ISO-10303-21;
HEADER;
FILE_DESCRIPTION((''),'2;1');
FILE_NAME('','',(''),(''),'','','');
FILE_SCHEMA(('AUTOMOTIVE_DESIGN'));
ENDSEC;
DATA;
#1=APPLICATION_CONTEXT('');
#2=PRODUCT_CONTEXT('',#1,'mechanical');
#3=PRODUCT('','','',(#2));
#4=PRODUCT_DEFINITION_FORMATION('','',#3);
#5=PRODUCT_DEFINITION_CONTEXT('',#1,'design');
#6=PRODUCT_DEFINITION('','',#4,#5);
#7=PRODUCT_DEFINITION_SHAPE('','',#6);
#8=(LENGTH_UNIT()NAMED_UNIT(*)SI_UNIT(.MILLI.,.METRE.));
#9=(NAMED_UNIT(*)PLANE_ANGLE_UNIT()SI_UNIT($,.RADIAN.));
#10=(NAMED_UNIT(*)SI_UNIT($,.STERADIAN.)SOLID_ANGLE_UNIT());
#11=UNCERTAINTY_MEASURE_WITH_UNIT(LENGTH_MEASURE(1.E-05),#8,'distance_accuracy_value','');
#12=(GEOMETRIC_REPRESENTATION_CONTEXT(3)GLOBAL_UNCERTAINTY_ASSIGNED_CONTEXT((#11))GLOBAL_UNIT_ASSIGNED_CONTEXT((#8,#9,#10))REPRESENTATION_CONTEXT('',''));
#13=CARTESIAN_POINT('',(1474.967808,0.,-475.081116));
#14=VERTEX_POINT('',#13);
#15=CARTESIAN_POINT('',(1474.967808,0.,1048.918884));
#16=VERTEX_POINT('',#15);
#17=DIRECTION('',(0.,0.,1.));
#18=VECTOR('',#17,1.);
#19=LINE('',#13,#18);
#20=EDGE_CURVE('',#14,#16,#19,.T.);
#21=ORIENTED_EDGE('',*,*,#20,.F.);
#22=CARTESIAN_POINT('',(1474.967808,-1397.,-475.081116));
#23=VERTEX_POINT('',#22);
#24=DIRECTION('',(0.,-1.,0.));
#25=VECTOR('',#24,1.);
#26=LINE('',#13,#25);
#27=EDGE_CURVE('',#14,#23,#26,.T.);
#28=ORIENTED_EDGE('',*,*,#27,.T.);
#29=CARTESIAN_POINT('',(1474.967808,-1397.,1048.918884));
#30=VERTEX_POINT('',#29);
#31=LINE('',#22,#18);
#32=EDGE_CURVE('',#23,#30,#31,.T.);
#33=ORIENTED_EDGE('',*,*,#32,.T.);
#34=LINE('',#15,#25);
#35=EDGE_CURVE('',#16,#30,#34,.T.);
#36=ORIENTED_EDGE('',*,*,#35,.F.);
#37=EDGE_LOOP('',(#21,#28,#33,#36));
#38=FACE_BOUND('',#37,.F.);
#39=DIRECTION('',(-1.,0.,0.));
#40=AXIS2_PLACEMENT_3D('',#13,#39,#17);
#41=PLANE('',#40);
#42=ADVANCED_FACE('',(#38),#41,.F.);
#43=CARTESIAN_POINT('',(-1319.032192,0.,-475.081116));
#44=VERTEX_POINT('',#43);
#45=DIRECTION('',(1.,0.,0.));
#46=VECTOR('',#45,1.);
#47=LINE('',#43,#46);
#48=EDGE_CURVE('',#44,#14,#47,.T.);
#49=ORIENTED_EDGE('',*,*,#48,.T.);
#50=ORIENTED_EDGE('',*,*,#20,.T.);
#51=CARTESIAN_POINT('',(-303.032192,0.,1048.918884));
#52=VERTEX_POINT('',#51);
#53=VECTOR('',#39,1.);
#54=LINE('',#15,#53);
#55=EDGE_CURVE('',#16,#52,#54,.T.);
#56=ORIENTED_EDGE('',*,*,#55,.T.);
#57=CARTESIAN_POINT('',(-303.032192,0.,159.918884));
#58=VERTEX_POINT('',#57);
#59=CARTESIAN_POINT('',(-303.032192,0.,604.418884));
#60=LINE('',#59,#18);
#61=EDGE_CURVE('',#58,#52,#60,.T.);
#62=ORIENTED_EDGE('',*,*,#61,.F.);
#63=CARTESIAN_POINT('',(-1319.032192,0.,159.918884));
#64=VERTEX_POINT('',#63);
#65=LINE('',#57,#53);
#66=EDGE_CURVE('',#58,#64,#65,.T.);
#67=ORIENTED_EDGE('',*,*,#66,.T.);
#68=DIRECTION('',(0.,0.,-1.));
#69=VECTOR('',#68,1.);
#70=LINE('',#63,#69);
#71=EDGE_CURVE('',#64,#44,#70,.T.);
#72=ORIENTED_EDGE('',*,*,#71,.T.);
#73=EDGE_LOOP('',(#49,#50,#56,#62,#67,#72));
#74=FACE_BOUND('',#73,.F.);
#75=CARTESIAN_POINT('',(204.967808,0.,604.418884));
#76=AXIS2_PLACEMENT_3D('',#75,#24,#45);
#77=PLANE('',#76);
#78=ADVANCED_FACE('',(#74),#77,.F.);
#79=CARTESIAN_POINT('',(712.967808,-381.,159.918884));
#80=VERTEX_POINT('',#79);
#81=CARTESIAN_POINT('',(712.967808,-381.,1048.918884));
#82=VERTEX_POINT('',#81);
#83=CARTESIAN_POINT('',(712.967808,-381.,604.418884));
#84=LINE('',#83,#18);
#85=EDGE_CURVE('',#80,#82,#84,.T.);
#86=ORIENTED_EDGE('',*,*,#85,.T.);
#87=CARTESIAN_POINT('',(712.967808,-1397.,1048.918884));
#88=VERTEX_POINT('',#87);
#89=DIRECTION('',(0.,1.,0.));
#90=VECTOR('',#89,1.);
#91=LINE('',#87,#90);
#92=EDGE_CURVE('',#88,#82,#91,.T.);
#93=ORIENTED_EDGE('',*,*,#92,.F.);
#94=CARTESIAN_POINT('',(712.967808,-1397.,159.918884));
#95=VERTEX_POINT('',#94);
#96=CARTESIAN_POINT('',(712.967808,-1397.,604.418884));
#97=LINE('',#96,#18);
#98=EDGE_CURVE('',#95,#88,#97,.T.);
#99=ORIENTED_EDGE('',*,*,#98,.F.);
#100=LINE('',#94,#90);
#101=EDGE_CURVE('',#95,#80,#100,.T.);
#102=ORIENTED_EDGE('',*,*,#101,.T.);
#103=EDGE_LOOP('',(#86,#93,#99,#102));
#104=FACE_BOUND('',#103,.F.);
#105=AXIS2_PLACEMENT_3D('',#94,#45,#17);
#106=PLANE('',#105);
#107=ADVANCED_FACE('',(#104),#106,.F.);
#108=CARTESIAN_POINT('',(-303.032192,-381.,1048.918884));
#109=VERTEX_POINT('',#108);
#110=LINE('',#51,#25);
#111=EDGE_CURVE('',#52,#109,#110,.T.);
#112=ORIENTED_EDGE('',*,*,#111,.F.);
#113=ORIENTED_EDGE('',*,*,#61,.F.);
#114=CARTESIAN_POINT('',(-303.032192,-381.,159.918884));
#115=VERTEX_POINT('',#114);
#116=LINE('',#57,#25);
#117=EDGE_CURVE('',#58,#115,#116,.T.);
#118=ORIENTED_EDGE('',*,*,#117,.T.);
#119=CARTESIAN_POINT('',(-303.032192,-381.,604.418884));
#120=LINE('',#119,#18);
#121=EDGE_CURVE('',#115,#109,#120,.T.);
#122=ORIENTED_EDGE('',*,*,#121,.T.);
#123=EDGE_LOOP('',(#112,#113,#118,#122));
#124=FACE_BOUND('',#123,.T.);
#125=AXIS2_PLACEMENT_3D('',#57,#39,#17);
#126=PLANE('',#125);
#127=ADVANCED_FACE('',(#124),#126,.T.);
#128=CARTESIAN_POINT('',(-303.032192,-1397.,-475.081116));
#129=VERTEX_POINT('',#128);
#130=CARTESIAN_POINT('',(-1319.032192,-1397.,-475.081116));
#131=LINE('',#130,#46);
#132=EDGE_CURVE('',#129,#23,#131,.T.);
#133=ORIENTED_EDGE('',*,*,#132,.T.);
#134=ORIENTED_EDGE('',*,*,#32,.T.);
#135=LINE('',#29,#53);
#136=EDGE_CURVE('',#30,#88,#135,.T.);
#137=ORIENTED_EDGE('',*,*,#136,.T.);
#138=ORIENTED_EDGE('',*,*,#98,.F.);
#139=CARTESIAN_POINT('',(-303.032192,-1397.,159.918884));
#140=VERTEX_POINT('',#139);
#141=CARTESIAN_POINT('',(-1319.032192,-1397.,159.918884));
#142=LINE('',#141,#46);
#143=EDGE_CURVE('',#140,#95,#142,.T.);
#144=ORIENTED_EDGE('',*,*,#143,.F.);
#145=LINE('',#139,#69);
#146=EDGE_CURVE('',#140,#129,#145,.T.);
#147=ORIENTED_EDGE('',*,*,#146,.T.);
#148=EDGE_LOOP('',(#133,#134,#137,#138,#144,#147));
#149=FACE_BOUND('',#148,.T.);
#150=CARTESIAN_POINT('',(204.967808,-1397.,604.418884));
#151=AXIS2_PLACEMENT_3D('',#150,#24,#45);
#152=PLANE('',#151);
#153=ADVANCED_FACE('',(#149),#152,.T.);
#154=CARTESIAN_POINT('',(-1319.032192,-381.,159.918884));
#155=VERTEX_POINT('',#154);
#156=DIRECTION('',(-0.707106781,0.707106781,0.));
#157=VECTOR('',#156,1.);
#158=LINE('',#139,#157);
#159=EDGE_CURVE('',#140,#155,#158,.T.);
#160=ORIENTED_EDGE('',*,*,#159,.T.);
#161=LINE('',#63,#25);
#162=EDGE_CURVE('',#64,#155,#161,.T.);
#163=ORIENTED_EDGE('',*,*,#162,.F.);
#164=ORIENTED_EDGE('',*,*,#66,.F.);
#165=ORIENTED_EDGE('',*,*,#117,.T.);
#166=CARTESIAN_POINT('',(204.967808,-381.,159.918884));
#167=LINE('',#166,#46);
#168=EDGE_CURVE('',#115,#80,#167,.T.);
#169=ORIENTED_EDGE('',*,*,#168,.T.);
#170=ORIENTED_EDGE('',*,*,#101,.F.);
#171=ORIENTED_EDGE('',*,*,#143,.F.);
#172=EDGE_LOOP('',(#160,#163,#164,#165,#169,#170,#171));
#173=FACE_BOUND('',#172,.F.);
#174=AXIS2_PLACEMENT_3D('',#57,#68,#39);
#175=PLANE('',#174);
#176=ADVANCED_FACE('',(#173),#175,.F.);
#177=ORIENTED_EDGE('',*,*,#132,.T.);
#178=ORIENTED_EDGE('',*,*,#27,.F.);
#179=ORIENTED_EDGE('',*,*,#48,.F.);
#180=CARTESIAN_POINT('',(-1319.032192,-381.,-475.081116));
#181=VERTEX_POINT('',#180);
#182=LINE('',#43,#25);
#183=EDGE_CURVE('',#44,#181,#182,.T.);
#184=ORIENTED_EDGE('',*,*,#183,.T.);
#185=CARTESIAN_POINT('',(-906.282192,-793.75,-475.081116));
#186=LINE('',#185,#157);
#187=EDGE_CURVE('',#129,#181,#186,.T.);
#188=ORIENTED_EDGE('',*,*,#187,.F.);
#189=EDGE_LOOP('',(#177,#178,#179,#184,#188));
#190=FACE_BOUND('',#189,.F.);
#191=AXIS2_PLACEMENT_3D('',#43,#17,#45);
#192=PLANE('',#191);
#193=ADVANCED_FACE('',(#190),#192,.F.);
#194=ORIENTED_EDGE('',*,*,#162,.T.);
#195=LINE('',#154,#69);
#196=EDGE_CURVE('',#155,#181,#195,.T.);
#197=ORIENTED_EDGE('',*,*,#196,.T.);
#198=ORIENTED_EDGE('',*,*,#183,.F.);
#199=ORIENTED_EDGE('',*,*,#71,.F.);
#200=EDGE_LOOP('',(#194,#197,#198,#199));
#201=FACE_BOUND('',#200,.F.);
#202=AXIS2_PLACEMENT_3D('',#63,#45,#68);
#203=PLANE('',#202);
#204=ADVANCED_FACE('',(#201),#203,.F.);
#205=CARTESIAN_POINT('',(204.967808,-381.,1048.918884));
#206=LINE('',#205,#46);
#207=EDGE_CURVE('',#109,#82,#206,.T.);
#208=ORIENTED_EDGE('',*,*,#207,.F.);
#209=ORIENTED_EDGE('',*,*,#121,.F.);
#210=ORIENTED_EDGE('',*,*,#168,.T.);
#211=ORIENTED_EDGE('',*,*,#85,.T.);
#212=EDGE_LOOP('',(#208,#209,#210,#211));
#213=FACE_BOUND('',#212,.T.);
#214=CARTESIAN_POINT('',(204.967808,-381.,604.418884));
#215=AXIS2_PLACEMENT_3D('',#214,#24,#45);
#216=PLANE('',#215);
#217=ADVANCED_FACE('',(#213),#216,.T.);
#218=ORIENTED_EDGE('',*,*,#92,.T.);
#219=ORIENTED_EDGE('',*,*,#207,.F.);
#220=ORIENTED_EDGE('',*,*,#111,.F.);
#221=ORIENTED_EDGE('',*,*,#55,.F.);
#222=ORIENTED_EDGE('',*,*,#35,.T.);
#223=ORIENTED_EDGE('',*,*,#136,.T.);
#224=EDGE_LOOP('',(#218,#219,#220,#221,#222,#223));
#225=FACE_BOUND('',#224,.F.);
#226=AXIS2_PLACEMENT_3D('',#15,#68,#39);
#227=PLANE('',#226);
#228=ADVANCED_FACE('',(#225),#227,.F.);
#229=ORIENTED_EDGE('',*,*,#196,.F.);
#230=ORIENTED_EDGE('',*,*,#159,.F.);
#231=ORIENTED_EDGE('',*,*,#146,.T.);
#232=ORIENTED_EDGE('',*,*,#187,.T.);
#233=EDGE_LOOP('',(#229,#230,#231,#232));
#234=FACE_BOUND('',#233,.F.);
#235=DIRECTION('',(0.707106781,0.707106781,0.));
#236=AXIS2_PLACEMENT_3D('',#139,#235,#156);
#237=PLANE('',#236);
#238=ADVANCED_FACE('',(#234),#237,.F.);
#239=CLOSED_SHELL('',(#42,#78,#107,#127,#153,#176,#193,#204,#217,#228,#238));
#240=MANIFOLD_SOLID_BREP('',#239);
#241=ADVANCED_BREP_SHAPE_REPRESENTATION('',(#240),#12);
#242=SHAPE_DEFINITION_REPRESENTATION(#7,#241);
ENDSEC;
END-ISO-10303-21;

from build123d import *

# Parameters (mm, degrees)
F0_W     = 1016
F0_H     = 889
F1_DEPTH = 1397
F2_W     = 1016
F2_H     = 889
F4_DEPTH = 1016
F6_DEPTH = 1419.86


with BuildPart() as f1:
    # F0 (on Front) → F1 (new body)
    with BuildSketch(Plane.XZ):
        with Locations((204.967808, 604.418884)):
            Rectangle(F0_W, F0_H)
        Polygon((-1319.032192, 159.918884), (-1319.032192, -475.081116), (1474.967808, -475.081116), (1474.967808, 1048.918884), (712.967808, 1048.918884), (712.967808, 159.918884), (-303.032192, 159.918884), align=None)
    extrude(amount=F1_DEPTH)

    # F2 (on face) → F4 (cut)
    with BuildSketch(Plane.XZ.offset(1397)):
        with Locations((204.967808, 604.418884)):
            Rectangle(F2_W, F2_H)
    extrude(amount=-F4_DEPTH, mode=Mode.SUBTRACT)

    # F5 (on face) → F6 (cut)
    with BuildSketch(Plane.XY.offset(159.918884)):
        Polygon((-303.032192, -1397), (-1319.032192, -381), (-1319.032192, -1397), align=None)
    extrude(amount=-F6_DEPTH, mode=Mode.SUBTRACT)


solid = f1.part
